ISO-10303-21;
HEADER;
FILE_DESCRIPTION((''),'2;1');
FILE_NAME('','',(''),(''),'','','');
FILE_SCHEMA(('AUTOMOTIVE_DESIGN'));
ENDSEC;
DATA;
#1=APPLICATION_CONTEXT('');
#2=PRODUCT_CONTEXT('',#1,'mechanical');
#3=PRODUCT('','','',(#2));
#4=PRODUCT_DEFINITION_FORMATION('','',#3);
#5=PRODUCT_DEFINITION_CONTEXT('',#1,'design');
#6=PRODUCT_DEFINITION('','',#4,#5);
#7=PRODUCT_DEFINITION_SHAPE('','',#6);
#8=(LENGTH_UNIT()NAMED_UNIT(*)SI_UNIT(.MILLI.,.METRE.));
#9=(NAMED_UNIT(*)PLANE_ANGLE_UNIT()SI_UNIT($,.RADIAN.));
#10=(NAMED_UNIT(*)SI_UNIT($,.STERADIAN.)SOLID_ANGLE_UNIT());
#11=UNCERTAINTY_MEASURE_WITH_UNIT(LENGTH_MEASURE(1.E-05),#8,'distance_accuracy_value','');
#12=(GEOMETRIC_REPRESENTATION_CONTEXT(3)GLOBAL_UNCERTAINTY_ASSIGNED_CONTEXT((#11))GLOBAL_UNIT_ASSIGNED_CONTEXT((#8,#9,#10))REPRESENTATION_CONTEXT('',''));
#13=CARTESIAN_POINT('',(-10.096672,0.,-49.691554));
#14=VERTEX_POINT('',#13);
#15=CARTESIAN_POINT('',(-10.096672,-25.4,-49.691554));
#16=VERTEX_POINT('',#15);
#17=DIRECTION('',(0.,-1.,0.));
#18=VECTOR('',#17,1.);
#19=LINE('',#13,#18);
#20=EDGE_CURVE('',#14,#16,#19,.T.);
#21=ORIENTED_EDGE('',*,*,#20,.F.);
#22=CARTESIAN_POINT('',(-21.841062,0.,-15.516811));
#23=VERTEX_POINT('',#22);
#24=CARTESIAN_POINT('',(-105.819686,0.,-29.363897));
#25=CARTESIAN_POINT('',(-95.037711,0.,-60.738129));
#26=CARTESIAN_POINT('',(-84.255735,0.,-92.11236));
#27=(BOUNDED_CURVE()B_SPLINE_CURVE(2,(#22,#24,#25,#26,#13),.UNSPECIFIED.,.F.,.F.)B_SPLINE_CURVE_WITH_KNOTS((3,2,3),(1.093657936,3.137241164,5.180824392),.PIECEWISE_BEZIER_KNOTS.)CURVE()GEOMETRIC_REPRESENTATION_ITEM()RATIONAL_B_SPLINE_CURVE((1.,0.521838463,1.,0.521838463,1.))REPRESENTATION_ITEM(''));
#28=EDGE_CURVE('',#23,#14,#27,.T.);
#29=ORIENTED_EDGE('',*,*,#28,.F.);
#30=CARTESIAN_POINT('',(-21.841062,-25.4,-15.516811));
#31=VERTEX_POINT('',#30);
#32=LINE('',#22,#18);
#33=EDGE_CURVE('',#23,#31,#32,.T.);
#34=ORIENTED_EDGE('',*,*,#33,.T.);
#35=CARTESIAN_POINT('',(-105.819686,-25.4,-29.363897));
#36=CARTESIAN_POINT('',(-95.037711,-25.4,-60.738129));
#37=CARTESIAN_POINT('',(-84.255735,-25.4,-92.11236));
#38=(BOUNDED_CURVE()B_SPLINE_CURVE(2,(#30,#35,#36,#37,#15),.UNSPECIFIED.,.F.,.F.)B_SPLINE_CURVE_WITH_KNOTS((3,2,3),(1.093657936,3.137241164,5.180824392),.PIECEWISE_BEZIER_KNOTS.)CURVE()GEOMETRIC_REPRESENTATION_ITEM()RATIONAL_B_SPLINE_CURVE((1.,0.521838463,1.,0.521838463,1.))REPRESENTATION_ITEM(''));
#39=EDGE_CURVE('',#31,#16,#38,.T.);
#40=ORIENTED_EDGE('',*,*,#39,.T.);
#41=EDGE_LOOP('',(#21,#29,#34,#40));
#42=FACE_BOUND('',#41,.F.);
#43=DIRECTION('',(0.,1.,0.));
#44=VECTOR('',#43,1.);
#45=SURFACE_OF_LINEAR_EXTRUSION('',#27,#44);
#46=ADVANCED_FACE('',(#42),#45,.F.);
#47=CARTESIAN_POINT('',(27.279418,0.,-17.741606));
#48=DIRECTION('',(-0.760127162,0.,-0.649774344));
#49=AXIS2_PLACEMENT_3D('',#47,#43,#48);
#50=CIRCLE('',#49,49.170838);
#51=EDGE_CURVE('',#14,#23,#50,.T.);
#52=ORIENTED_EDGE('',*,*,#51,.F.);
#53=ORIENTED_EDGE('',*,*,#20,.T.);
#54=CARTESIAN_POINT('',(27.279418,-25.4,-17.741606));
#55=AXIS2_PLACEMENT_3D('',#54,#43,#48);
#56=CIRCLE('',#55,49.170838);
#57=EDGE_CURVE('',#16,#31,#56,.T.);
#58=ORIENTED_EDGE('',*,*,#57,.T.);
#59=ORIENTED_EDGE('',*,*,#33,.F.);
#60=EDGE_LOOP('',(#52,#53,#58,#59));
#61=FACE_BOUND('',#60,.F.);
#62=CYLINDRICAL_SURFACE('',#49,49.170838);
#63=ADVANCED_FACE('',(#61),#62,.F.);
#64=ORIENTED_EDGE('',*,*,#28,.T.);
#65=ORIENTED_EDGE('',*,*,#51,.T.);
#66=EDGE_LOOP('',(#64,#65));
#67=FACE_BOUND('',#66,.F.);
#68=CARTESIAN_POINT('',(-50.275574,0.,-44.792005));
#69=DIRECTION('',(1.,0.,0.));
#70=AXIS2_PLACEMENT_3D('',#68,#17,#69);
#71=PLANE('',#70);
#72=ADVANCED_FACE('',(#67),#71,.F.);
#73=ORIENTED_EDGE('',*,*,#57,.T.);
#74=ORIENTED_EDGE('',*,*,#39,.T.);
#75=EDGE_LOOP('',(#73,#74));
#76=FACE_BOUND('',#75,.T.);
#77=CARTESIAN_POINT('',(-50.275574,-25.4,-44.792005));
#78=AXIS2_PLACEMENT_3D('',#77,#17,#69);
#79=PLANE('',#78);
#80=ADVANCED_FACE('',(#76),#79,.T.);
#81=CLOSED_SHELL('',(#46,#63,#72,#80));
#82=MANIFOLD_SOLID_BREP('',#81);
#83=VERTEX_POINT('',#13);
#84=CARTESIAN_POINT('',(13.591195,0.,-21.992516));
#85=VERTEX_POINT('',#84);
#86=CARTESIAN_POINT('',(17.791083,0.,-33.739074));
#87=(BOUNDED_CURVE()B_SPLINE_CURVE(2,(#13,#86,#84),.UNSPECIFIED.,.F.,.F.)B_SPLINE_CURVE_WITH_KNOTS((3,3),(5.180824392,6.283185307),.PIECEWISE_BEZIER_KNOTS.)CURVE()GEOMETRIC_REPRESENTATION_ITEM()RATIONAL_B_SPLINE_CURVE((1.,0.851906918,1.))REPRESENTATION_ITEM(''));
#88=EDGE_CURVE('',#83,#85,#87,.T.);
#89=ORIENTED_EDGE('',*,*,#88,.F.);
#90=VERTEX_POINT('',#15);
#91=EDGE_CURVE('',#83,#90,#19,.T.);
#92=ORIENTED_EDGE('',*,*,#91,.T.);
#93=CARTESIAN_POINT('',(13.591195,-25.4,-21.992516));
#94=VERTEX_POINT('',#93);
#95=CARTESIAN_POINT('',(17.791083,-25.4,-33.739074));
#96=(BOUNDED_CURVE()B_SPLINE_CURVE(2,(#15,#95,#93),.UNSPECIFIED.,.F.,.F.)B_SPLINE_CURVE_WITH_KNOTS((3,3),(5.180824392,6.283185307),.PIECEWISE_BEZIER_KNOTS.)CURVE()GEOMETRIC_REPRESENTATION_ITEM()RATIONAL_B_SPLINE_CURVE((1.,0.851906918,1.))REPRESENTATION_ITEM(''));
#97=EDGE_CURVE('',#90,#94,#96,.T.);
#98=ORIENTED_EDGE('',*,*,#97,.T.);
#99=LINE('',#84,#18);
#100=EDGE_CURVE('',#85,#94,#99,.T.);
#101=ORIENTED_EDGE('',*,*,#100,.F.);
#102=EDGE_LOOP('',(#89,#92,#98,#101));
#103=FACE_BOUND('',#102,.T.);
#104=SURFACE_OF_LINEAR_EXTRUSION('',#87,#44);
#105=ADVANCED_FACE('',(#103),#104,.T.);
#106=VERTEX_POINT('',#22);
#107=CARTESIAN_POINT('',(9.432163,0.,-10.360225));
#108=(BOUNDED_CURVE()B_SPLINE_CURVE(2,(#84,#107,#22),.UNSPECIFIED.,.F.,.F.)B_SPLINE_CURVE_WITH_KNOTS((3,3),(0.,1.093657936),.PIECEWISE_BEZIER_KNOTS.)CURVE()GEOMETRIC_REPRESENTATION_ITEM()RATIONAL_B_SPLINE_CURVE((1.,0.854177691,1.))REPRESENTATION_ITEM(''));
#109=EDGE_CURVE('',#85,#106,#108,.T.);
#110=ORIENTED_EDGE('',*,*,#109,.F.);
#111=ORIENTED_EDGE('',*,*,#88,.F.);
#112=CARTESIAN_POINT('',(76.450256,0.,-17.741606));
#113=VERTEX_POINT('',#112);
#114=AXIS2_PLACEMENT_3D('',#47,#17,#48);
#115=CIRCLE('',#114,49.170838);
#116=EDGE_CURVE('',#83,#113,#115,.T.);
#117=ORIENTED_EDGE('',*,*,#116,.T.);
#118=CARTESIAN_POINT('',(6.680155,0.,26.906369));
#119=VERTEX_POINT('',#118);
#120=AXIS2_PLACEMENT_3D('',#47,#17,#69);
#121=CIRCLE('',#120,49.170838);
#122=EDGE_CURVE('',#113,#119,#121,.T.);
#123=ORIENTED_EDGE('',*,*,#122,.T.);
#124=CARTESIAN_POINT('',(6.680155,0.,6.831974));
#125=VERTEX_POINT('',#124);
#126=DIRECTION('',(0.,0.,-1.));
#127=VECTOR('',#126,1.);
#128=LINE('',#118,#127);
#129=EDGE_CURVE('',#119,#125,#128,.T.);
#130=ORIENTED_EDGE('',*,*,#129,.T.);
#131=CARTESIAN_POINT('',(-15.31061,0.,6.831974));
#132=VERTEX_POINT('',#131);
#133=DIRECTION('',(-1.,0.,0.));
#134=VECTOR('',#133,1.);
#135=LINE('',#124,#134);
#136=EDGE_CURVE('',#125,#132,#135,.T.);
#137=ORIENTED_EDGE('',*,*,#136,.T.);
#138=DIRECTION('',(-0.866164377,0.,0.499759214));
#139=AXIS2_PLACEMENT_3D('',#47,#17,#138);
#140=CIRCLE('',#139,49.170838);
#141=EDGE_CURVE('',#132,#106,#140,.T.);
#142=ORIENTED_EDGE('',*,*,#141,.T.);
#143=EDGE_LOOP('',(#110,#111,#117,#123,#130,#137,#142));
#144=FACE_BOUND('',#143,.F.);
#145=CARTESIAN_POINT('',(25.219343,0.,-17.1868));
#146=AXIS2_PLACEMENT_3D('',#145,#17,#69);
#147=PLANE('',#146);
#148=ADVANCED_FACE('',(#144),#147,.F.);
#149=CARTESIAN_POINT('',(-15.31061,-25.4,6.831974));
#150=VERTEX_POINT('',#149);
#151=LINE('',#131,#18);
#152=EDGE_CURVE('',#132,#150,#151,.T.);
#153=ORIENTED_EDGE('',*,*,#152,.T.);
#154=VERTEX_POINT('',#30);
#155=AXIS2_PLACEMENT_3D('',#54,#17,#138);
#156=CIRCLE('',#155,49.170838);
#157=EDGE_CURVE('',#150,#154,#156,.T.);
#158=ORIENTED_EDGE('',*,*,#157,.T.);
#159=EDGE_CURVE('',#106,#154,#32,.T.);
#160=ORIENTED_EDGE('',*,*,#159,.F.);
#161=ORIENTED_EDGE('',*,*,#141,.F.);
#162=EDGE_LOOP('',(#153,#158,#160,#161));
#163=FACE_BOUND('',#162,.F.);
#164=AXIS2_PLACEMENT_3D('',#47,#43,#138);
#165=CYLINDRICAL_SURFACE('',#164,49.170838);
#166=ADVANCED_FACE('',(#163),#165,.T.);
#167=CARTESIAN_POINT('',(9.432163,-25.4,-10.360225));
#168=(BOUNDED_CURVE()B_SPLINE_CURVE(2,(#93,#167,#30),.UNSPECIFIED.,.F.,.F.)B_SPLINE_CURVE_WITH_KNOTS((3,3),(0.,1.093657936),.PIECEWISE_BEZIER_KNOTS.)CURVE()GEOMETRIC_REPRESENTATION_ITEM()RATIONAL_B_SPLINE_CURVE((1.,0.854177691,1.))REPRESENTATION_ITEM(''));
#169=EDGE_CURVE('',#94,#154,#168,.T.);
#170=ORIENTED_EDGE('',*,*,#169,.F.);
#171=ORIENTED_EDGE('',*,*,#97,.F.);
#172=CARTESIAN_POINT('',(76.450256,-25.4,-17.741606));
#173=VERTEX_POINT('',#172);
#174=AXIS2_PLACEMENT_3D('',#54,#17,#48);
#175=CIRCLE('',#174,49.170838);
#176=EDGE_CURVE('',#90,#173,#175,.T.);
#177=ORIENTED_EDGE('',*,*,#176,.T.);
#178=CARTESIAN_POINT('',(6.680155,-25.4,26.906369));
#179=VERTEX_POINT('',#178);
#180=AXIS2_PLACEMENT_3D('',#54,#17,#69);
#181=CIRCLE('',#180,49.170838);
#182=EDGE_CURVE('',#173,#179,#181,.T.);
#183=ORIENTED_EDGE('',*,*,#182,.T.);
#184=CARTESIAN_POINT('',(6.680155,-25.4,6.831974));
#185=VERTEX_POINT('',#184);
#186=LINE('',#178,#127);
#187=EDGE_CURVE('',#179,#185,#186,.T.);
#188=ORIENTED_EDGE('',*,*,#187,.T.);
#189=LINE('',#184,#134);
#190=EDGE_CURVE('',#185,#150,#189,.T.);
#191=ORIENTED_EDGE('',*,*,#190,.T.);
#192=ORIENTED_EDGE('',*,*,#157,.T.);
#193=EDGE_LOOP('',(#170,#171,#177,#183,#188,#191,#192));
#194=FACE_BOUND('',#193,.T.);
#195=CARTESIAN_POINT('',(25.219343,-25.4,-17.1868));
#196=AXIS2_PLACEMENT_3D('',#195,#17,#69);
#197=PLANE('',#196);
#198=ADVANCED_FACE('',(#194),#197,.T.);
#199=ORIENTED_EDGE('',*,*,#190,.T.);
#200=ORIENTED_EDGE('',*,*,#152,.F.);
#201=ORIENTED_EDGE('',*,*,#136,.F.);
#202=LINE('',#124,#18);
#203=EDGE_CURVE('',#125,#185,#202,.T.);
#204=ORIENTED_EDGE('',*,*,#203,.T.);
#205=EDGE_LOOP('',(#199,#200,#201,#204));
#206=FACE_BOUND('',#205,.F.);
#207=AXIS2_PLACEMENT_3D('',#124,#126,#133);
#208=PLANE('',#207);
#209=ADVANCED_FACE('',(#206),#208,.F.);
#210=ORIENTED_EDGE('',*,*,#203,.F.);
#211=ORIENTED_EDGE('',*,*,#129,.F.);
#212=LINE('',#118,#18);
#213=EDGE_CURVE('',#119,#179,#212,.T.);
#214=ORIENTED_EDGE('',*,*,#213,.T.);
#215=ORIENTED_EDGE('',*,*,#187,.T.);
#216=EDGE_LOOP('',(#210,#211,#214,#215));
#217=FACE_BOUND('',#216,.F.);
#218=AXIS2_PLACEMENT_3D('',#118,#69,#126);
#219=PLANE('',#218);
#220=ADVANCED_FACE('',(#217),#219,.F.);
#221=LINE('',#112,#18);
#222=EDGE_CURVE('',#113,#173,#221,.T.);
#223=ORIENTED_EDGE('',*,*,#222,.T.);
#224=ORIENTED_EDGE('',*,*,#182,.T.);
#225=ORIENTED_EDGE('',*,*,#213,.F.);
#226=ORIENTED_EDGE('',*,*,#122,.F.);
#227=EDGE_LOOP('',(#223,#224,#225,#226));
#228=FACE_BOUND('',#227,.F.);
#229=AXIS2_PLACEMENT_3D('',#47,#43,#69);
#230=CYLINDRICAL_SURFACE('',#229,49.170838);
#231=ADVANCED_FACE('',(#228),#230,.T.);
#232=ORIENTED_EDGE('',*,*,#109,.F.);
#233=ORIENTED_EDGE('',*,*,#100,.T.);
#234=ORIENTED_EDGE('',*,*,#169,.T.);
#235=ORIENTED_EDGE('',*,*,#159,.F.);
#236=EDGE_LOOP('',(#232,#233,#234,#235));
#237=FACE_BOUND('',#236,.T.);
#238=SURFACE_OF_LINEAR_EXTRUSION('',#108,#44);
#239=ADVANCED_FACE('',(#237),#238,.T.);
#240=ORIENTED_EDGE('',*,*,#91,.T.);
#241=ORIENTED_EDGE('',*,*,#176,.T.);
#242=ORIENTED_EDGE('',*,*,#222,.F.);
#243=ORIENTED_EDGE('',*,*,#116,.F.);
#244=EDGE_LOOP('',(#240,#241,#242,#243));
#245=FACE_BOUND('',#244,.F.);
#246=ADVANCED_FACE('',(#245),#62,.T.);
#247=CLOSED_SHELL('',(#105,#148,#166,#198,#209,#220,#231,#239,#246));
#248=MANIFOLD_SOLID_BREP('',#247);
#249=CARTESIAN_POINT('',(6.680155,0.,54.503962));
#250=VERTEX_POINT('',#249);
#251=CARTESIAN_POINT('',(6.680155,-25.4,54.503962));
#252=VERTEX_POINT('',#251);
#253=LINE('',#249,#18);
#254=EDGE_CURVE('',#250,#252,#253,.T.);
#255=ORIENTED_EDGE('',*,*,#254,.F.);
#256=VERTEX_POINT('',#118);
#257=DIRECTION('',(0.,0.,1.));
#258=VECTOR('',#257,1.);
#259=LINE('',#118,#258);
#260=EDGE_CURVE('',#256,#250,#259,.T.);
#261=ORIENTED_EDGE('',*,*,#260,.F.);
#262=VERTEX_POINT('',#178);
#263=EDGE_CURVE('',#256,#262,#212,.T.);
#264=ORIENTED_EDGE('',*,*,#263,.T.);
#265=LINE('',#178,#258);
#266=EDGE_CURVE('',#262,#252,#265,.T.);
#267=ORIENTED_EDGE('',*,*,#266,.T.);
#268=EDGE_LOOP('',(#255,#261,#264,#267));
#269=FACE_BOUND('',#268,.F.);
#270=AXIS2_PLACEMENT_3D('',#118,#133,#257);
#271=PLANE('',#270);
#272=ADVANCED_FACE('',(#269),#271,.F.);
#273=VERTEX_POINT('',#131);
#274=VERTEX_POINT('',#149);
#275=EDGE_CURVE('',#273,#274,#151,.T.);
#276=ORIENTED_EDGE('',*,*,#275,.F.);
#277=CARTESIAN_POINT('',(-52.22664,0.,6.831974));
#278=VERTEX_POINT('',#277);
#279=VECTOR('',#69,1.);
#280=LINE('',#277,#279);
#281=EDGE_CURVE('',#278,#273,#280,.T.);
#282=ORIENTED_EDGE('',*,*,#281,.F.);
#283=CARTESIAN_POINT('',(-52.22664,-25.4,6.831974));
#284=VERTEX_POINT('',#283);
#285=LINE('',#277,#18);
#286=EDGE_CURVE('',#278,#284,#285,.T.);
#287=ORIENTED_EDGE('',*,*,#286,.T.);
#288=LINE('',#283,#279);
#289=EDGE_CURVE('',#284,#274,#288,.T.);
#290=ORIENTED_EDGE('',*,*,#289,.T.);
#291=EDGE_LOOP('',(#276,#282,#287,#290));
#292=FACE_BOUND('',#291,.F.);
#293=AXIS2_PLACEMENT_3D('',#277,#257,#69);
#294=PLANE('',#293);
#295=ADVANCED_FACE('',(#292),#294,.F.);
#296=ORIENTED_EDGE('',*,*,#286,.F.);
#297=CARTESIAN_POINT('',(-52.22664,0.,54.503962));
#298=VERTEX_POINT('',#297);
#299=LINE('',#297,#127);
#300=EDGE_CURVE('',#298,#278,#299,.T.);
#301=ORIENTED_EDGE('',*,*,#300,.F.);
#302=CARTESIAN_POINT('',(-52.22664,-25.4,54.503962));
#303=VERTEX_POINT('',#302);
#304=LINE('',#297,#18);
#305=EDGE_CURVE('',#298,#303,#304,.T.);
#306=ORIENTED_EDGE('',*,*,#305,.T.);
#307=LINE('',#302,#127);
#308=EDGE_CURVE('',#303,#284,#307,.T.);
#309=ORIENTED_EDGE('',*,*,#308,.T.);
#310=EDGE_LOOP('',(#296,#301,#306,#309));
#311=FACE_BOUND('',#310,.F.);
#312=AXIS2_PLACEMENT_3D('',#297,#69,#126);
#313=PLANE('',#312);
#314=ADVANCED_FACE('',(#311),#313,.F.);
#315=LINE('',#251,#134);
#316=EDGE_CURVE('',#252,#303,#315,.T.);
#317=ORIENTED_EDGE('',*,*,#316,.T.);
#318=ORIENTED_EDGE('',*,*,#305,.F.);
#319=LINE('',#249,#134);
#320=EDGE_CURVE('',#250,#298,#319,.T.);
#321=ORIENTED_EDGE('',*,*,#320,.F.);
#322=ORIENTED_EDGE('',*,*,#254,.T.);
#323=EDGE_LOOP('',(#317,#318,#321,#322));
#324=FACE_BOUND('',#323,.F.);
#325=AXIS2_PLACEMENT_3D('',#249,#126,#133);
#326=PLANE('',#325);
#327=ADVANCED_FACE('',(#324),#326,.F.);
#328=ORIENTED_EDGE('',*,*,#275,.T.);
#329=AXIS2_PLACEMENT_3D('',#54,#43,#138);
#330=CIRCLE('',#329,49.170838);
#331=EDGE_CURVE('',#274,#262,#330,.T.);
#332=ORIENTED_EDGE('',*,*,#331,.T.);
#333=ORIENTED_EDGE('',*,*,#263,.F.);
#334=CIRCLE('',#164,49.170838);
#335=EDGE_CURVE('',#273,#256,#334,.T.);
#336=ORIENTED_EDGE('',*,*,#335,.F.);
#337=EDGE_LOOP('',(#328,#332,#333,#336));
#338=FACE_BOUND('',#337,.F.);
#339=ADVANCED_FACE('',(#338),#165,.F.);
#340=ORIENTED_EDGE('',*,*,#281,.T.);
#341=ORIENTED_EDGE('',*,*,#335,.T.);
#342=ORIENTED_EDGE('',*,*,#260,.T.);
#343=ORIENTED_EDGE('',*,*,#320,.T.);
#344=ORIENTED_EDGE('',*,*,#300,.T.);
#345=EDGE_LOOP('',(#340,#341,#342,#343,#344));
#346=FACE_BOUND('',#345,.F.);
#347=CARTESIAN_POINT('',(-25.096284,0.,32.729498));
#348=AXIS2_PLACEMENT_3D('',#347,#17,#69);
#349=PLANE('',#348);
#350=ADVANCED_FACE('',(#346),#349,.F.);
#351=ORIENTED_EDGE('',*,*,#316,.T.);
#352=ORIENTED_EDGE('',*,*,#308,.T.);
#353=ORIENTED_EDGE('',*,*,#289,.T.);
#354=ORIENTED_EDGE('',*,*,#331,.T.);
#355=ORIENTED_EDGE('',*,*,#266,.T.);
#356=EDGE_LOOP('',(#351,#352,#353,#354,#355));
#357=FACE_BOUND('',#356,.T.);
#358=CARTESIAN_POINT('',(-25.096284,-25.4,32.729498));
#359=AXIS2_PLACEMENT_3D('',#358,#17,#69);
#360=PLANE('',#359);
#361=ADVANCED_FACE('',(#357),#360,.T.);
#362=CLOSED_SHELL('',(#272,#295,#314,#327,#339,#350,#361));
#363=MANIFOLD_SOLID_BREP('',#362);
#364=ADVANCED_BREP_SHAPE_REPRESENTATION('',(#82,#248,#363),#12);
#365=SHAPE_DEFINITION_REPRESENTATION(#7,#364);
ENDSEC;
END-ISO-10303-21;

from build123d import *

# Parameters (mm, degrees)
F1_DEPTH = 25.4


with BuildPart() as f1:
    # F0 (on Front) → F1 (new body)
    with BuildSketch(Plane.XZ):
        with BuildLine():
            ThreePointArc((-10.0966715076, -49.6915544474), (-19.2221133603, -33.7221838937), (-21.8410624019, -15.5168113129))
            add(Edge.make_bspline(
                [(-21.8410624019, -15.5168113129), (-105.8196860966, -29.3638972747), (-95.0377107933, -60.7381285816), (-84.25573549, -92.1123598885), (-10.0966715076, -49.6915544474)],
                knots=[1.0936579361, 1.0936579361, 1.0936579361, 3.1372411639, 3.1372411639, 5.1808243917, 5.1808243917, 5.1808243917], degree=2, weights=[1, 0.5218384635, 1, 0.5218384635, 1]))
        make_face()
    extrude(amount=F1_DEPTH)


with BuildPart() as f1b:
    # F0 (on Front) → F1, piece 2 (new body)
    with BuildSketch(Plane.XZ):
        with BuildLine():
            Line((6.6801547073, 6.8319737911), (-15.3106102166, 6.8319737911))
            ThreePointArc((-15.3106102166, 6.8319737911), (-19.9177365411, -3.9503072765), (-21.8410624019, -15.5168113129))
            add(Edge.make_bspline(
                [(13.5911954567, -21.9925157726), (9.4321632775, -10.3602247289), (-21.8410624019, -15.5168113129)],
                knots=[0, 0, 0, 1.0936579361, 1.0936579361, 1.0936579361], degree=2, weights=[1, 0.8541776909, 1]))
            add(Edge.make_bspline(
                [(-10.0966715076, -49.6915544474), (17.7910829978, -33.7390741364), (13.5911954567, -21.9925157726)],
                knots=[5.1808243917, 5.1808243917, 5.1808243917, 6.2831853072, 6.2831853072, 6.2831853072], degree=2, weights=[1, 0.851906918, 1]))
            ThreePointArc((-10.0966715076, -49.6915544474), (44.3081827968, -63.8696064391), (76.4502558698, -17.7416055208))
            ThreePointArc((76.4502558698, -17.7416055208), (53.783080596, 23.6749028729), (6.6801547073, 26.9063692804))
            Line((6.6801547073, 26.9063692804), (6.6801547073, 6.8319737911))
        make_face()
    extrude(amount=F1_DEPTH)


with BuildPart() as f1c:
    # F0 (on Front) → F1, piece 3 (new body)
    with BuildSketch(Plane.XZ):
        with BuildLine():
            Line((-52.2266402841, 54.5039623976), (-52.2266402841, 6.8319737911))
            Line((-52.2266402841, 6.8319737911), (-15.3106102166, 6.8319737911))
            ThreePointArc((-15.3106102166, 6.8319737911), (-5.8712528687, 18.5737400502), (6.6801547073, 26.9063692804))
            Line((6.6801547073, 26.9063692804), (6.6801547073, 54.5039623976))
            Line((6.6801547073, 54.5039623976), (-52.2266402841, 54.5039623976))
        make_face()
    extrude(amount=F1_DEPTH)


solid = Compound([f1.part, f1b.part, f1c.part])
